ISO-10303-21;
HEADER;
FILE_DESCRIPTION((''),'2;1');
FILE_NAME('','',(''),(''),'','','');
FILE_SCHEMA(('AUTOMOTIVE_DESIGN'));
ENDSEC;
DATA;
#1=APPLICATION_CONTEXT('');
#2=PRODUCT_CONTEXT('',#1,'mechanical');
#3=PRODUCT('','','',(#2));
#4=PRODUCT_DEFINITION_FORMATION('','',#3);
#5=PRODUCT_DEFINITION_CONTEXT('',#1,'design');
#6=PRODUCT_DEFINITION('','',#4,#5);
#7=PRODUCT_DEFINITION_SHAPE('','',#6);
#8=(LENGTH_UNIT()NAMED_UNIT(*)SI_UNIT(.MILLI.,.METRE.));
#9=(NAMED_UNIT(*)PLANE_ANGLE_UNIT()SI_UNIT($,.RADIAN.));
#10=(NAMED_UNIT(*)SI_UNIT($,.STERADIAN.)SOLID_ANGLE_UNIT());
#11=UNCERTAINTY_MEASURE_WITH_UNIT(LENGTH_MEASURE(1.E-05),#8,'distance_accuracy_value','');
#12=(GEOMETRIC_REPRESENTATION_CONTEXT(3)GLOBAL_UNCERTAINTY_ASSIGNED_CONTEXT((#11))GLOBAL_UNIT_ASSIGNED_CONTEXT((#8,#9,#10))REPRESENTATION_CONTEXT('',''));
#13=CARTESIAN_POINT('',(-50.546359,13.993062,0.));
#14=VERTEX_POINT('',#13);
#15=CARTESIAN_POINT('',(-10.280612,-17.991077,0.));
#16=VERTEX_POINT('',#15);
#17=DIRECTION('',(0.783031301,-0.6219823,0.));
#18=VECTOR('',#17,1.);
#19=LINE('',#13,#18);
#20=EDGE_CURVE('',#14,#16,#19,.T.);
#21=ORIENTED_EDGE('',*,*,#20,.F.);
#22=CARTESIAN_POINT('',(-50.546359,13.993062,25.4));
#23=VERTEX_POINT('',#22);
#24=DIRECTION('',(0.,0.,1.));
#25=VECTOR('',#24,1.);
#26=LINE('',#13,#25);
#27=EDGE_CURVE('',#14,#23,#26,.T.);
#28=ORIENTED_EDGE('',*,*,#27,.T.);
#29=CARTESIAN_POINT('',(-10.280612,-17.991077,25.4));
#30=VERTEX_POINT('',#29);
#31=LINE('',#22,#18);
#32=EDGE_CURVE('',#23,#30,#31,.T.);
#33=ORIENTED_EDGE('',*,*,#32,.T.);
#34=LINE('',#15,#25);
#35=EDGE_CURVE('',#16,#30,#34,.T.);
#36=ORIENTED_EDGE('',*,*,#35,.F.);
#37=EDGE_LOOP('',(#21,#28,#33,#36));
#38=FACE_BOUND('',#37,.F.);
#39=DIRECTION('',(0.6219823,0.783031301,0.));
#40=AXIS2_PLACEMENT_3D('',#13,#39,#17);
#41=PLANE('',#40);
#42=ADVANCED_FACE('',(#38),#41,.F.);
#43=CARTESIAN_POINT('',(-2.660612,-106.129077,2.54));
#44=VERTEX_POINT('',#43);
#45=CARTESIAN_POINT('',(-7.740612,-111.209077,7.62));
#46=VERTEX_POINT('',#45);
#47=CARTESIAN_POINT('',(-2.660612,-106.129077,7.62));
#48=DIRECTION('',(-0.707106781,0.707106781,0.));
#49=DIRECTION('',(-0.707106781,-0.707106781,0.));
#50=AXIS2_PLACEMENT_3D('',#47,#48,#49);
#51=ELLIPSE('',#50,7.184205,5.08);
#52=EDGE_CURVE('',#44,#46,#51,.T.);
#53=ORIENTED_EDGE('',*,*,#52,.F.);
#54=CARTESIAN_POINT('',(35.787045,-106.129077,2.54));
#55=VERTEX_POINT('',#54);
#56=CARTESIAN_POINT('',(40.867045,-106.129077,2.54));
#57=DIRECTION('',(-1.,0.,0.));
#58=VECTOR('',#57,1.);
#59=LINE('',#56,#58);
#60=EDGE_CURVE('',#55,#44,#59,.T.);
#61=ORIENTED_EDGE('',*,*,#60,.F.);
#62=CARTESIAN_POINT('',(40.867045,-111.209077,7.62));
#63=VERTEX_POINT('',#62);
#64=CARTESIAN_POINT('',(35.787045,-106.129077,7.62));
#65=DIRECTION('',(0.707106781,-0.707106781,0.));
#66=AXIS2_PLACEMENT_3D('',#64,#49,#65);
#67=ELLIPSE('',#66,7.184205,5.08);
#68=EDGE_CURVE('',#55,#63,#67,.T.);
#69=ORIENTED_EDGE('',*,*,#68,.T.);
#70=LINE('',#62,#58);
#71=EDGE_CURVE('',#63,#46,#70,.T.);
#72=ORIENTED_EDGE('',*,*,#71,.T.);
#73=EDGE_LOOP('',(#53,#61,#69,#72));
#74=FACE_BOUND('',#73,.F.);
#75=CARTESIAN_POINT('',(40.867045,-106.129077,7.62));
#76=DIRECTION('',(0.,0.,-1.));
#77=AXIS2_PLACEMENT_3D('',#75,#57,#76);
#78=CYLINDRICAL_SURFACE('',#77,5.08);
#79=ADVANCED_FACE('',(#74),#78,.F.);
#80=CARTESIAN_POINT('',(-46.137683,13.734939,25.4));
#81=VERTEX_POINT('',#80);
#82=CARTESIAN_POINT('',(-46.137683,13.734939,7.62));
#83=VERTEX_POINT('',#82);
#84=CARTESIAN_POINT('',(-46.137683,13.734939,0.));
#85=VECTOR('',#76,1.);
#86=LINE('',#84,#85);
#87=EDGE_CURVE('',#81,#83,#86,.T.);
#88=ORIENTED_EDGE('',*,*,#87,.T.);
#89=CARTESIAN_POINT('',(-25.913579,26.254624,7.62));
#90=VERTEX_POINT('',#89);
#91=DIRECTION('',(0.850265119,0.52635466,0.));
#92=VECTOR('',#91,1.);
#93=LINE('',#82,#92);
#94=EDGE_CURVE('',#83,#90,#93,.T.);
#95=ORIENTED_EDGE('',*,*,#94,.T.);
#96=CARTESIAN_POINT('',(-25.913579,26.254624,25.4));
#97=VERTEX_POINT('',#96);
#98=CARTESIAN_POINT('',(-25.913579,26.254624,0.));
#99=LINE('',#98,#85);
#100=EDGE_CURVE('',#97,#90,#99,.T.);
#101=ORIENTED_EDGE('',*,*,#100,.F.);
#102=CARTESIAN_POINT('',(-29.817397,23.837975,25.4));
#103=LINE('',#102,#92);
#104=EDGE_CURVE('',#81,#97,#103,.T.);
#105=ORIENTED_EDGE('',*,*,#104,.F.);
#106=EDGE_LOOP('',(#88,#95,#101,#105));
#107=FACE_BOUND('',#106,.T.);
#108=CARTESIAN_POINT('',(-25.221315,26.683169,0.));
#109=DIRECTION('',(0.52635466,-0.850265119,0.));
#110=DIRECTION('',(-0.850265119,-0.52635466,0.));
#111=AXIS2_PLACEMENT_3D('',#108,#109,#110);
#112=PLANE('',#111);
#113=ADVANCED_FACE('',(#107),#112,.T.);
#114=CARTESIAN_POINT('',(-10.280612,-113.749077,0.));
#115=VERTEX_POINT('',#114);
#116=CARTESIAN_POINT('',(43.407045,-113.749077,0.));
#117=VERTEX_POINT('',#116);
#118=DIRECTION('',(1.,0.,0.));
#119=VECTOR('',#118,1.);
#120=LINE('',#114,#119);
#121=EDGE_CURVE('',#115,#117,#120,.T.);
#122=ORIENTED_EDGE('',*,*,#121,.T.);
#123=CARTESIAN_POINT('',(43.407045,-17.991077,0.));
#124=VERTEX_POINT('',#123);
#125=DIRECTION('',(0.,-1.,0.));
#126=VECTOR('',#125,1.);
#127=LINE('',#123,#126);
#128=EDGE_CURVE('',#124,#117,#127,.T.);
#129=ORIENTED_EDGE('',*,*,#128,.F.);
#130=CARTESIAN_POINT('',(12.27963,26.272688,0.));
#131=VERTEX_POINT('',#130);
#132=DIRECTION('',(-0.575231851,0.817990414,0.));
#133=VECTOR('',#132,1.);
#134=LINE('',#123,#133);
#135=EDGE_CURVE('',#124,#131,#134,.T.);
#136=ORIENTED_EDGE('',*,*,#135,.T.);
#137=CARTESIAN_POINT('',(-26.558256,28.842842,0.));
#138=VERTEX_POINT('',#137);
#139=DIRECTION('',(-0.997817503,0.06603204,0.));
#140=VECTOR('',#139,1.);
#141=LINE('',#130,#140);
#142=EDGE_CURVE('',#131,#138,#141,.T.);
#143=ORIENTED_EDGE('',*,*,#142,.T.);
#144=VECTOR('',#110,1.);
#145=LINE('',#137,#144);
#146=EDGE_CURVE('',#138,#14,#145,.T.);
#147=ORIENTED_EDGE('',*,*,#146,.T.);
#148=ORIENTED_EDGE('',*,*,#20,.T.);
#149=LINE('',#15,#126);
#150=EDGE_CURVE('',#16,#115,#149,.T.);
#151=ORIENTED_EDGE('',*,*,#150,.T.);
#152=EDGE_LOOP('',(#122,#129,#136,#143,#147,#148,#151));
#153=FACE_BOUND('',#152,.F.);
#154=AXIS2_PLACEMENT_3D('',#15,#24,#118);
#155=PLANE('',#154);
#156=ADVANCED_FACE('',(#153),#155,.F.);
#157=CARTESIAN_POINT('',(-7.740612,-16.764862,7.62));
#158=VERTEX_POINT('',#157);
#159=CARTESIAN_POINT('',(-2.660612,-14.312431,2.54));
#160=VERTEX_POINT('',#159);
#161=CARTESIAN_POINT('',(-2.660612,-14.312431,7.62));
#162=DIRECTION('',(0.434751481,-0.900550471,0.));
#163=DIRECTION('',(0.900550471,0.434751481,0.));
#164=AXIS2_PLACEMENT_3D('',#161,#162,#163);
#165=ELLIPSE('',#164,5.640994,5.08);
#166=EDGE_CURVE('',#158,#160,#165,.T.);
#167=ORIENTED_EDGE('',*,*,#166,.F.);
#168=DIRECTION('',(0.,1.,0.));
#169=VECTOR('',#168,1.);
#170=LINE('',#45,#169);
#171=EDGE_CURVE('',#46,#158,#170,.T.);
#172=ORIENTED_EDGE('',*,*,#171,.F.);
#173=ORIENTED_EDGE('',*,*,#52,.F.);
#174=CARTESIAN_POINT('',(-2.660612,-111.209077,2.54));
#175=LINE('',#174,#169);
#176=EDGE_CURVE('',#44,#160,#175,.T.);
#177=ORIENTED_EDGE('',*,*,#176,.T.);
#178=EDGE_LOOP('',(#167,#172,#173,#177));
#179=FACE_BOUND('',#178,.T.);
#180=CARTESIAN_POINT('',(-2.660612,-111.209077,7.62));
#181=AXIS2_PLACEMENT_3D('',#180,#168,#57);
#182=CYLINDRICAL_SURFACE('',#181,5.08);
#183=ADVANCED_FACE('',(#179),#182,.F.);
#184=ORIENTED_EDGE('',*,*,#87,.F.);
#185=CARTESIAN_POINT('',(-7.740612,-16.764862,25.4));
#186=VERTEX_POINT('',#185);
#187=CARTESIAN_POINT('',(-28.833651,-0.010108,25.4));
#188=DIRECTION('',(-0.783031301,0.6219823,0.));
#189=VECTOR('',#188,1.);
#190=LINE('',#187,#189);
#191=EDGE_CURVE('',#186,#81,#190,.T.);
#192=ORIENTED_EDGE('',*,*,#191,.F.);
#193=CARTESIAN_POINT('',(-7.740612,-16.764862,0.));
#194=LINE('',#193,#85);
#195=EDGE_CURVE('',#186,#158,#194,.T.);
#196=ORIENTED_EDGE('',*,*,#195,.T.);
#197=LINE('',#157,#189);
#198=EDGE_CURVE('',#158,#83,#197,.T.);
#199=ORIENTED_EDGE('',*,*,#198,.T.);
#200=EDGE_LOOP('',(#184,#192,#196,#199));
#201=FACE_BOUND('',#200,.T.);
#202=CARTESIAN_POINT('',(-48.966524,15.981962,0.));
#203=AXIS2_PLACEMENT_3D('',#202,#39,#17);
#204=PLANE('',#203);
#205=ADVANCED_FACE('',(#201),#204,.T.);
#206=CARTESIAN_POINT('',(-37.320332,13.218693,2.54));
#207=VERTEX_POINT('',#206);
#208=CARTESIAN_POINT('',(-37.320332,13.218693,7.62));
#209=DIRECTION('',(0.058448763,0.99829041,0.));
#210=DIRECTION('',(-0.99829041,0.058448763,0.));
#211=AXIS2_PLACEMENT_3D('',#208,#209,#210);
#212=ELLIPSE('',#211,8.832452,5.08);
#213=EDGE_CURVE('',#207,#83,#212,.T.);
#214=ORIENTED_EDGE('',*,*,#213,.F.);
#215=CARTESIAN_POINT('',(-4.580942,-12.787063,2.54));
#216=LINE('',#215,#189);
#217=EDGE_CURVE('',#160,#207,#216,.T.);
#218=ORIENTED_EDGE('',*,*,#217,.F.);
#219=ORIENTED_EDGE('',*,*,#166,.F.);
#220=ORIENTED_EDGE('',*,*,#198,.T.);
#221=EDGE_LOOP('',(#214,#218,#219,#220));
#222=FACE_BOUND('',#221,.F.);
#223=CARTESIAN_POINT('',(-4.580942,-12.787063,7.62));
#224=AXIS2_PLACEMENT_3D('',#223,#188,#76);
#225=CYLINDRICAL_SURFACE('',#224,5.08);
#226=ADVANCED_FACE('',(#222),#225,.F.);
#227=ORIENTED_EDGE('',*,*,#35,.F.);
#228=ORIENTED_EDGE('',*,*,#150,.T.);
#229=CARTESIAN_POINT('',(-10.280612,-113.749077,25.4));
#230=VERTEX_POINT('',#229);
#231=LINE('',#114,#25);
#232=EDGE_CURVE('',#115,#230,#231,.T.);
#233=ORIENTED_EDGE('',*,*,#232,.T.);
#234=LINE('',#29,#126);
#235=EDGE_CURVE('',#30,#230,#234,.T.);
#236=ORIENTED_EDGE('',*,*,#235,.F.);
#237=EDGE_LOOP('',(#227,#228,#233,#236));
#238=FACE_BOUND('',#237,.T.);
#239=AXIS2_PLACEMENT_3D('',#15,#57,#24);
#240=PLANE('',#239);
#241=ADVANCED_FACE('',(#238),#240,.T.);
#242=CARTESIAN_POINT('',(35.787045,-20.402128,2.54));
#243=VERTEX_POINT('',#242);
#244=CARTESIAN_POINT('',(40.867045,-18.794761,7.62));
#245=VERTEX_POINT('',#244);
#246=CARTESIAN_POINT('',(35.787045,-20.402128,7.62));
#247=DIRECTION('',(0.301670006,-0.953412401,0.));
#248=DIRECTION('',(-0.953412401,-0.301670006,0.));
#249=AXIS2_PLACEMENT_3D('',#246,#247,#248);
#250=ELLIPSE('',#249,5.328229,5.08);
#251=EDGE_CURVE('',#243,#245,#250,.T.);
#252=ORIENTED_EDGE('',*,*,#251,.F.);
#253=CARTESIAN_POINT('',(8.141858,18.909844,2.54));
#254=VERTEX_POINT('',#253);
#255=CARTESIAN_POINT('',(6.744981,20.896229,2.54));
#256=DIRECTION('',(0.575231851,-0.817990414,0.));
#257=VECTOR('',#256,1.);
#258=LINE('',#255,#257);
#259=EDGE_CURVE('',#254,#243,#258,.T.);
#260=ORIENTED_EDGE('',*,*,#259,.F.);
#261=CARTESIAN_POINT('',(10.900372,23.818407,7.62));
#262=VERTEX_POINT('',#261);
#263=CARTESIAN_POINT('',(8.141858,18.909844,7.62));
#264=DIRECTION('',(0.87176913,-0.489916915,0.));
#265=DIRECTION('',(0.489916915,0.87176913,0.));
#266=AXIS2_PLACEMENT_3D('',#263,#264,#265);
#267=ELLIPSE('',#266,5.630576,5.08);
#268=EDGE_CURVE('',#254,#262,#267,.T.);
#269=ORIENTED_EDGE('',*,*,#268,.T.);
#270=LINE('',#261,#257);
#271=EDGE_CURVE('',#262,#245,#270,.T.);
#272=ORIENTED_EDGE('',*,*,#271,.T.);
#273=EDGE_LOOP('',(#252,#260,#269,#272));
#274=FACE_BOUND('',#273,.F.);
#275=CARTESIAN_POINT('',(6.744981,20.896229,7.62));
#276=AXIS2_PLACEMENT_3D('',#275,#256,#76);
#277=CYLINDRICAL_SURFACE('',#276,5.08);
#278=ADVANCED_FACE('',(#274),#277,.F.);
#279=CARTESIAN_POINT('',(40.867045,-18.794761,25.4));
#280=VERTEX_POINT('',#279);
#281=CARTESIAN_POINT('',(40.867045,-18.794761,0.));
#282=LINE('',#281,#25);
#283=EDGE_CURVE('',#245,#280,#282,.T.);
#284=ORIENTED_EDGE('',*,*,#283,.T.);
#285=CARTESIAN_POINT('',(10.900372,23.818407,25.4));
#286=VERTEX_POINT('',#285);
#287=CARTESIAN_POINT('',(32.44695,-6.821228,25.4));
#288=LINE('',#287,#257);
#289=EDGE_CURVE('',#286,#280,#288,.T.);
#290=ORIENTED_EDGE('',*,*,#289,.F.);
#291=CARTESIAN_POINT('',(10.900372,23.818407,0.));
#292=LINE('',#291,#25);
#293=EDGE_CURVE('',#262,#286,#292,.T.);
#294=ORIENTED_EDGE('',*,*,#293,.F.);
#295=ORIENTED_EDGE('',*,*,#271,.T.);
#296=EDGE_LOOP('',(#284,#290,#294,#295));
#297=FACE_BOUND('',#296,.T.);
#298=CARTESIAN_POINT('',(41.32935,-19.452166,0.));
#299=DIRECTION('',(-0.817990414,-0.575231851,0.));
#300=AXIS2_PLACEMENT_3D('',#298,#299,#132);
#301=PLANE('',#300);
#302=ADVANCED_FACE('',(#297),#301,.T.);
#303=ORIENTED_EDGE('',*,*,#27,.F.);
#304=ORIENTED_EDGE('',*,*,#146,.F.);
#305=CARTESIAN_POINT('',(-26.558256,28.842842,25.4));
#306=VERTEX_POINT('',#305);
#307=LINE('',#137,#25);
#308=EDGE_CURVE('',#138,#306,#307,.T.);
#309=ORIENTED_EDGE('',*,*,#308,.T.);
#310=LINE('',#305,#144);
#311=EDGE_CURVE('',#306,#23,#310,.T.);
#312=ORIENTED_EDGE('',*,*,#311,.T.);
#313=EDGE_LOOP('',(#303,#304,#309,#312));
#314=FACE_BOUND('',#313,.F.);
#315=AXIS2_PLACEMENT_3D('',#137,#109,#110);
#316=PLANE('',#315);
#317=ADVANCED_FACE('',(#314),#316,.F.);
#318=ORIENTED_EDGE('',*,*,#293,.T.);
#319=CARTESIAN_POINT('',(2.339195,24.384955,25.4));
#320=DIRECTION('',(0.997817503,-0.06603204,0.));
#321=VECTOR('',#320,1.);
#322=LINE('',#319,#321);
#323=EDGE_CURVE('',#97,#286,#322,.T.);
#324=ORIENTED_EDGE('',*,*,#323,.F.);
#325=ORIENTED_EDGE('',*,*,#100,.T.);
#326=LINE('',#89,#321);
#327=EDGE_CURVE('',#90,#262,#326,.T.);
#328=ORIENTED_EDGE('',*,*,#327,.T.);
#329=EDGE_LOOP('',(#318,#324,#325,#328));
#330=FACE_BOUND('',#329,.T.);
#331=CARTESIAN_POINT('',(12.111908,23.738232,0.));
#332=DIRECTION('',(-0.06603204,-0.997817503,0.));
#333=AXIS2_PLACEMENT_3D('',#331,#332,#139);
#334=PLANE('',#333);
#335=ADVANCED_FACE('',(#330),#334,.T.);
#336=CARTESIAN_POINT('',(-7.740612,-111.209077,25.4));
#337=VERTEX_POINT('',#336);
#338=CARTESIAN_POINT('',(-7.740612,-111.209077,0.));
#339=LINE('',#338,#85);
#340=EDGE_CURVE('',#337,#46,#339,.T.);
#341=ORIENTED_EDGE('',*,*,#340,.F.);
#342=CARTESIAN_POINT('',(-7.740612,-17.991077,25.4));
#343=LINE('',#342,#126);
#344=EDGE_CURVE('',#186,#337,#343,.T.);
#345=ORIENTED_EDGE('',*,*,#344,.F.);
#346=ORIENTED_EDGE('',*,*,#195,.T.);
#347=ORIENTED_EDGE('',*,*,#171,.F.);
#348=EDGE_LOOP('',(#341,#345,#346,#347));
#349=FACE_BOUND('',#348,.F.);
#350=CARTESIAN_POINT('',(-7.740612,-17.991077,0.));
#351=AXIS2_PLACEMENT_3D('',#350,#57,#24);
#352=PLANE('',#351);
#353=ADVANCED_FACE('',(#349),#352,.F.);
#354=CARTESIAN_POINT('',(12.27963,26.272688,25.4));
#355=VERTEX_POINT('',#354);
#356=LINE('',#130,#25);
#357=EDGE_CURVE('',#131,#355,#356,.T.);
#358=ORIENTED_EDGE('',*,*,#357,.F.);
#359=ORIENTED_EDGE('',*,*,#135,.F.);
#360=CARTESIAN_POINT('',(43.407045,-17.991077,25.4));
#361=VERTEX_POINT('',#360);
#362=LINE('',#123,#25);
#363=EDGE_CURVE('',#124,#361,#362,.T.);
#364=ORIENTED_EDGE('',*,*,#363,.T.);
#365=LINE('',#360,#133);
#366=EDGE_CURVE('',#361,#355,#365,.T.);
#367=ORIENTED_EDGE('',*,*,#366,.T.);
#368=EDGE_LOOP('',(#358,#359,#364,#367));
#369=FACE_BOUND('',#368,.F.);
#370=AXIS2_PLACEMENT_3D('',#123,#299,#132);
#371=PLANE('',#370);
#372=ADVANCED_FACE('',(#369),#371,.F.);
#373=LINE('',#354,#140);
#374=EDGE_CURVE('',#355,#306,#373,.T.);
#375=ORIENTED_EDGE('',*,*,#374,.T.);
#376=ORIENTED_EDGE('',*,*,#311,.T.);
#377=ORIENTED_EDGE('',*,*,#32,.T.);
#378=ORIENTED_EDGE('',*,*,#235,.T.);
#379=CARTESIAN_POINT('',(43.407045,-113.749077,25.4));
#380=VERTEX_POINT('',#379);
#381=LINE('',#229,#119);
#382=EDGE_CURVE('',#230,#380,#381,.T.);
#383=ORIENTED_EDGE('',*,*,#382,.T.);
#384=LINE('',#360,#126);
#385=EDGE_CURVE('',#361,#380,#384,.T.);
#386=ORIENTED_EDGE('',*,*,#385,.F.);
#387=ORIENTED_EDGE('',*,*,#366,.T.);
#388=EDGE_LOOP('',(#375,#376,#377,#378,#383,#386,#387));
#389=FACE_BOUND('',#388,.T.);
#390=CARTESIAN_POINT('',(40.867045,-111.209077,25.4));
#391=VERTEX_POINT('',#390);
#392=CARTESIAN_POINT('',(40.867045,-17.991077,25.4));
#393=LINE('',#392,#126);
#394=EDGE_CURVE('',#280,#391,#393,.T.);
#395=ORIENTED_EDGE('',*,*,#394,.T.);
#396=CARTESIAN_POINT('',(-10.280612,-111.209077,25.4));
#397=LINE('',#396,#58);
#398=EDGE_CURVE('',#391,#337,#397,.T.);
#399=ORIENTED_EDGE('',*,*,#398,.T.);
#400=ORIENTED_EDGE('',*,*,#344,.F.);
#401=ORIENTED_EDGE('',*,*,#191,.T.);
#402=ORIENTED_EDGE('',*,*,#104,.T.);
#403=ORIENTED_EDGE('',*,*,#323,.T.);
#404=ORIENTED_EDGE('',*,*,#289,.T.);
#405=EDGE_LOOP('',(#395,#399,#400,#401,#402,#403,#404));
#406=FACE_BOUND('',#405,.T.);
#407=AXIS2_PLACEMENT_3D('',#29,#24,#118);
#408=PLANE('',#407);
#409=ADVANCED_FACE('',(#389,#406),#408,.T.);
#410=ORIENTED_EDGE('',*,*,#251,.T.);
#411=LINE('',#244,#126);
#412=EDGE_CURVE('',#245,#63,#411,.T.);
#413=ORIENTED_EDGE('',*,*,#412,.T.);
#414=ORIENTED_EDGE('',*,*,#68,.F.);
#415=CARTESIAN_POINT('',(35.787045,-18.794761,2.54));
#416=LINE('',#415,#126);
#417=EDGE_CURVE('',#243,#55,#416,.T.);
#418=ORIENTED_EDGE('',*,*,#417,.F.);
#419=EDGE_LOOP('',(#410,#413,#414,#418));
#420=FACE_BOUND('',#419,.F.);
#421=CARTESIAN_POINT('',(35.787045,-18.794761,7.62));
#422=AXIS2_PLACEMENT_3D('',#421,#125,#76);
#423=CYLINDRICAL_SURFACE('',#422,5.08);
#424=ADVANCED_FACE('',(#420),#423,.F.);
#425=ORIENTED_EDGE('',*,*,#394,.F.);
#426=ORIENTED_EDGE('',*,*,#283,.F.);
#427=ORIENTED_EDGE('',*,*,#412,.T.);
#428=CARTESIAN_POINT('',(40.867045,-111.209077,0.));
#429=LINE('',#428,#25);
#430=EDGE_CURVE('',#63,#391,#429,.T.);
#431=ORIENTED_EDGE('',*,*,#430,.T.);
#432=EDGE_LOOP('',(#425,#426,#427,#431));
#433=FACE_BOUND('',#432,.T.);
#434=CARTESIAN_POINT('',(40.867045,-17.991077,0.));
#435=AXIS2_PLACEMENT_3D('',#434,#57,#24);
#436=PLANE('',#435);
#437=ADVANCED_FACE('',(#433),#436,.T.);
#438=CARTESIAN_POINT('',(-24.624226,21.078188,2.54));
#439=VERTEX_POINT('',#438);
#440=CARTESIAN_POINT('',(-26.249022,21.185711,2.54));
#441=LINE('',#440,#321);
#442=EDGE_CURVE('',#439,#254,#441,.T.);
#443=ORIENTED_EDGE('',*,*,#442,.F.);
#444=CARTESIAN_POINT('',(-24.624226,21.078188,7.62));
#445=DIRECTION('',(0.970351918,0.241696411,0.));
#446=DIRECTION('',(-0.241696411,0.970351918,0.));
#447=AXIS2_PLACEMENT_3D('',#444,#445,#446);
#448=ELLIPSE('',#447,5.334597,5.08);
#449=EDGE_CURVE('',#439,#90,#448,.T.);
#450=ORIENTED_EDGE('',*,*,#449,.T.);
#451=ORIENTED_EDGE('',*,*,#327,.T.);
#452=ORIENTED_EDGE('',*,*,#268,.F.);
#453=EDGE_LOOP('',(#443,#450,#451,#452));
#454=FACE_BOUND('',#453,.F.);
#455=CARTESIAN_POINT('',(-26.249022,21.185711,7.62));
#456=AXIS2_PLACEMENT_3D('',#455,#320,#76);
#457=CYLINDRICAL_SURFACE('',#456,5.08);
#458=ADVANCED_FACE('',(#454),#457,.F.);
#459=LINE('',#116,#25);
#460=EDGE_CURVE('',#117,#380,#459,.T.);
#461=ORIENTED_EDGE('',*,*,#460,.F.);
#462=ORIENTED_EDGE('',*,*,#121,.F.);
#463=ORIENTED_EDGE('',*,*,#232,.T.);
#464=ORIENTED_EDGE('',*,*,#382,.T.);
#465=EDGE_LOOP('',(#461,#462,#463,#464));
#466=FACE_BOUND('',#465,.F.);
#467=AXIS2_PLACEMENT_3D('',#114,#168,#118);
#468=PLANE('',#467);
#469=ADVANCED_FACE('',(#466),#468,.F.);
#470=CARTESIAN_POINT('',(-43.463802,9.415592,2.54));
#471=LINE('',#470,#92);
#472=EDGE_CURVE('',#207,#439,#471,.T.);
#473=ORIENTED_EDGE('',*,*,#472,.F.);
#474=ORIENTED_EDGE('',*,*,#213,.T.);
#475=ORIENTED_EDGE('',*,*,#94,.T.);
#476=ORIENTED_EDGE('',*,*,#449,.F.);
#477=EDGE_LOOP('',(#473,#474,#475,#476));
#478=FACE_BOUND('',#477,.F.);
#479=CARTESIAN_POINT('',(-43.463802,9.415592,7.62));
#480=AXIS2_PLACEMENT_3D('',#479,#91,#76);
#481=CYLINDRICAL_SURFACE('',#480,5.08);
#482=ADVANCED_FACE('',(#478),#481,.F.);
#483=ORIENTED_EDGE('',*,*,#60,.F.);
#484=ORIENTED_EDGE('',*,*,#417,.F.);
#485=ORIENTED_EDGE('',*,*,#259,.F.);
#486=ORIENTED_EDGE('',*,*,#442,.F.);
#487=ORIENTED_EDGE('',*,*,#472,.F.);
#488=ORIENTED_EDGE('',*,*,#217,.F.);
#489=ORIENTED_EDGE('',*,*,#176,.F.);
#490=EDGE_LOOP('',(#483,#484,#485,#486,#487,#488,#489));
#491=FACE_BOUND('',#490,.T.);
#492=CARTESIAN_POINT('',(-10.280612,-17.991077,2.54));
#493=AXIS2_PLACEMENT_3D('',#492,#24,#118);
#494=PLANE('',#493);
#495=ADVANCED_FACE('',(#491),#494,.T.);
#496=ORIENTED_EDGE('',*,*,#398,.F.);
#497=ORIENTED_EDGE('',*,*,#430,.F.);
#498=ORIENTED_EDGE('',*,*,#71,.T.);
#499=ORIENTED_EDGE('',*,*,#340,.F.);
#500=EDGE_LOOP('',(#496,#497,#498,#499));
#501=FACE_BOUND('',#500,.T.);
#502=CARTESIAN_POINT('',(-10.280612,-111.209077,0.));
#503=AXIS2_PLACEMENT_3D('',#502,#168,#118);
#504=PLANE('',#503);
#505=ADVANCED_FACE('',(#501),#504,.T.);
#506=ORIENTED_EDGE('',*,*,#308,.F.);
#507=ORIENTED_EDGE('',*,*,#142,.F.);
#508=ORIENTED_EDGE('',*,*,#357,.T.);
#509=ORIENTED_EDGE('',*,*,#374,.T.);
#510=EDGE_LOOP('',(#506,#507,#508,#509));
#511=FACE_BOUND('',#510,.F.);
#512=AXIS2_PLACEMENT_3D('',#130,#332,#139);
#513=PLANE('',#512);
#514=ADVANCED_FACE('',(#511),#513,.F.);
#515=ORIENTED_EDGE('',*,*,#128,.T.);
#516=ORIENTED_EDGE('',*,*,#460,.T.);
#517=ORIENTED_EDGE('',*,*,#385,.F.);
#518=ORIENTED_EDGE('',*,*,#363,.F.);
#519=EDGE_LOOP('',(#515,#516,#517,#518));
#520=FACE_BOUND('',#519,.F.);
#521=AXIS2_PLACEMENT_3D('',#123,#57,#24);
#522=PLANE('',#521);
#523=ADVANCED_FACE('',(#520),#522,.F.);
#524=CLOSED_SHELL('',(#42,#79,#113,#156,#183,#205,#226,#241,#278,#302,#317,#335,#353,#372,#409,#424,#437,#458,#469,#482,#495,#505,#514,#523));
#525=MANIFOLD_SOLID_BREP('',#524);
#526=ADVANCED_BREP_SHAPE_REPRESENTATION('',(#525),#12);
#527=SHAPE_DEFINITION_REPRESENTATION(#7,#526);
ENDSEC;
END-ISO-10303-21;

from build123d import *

# Parameters (mm, degrees)
F1_DEPTH = 25.4
F2_DEPTH = 95.758
F3_T     = -2.54
F4_R     = 5.08


with BuildPart() as f1:
    # F0 (on Top) → F1 (new body)
    with BuildSketch(Plane.XY):
        Polygon((-26.5582557768, 28.8428422064), (-50.5463592708, 13.993062079), (-10.2806119248, -17.9910771549), (43.4070453048, -17.9910771549), (12.2796297073, 26.272688061), align=None)
    extrude(amount=F1_DEPTH)

    # F2 (add): a face of the model
    f2_faces = [f1.faces().sort_by_distance(p)[0] for p in [
        (16.56321669, -17.9910771549, 12.7),
    ]]
    extrude(f2_faces, amount=F2_DEPTH)

    # F3
    f3_openings = [f1.faces().sort_by_distance(p)[0] for p in [
        (9.617163, -41.24323, 25.4),
    ]]
    offset(amount=F3_T, openings=f3_openings, kind=Kind.INTERSECTION)

    # F4
    f4_edges = [f1.edges().sort_by_distance(p)[0] for p in [
        (40.867045, -65.001919, 2.54),
        (16.563217, -111.209077, 2.54),
        (-7.740612, -63.98697, 2.54),
        (-26.939148, -1.514961, 2.54),
        (-36.025631, 19.994782, 2.54),
        (-7.506603, 25.036515, 2.54),
        (25.883709, 2.511823, 2.54),
    ]]
    fillet(f4_edges, radius=F4_R)


solid = f1.part
